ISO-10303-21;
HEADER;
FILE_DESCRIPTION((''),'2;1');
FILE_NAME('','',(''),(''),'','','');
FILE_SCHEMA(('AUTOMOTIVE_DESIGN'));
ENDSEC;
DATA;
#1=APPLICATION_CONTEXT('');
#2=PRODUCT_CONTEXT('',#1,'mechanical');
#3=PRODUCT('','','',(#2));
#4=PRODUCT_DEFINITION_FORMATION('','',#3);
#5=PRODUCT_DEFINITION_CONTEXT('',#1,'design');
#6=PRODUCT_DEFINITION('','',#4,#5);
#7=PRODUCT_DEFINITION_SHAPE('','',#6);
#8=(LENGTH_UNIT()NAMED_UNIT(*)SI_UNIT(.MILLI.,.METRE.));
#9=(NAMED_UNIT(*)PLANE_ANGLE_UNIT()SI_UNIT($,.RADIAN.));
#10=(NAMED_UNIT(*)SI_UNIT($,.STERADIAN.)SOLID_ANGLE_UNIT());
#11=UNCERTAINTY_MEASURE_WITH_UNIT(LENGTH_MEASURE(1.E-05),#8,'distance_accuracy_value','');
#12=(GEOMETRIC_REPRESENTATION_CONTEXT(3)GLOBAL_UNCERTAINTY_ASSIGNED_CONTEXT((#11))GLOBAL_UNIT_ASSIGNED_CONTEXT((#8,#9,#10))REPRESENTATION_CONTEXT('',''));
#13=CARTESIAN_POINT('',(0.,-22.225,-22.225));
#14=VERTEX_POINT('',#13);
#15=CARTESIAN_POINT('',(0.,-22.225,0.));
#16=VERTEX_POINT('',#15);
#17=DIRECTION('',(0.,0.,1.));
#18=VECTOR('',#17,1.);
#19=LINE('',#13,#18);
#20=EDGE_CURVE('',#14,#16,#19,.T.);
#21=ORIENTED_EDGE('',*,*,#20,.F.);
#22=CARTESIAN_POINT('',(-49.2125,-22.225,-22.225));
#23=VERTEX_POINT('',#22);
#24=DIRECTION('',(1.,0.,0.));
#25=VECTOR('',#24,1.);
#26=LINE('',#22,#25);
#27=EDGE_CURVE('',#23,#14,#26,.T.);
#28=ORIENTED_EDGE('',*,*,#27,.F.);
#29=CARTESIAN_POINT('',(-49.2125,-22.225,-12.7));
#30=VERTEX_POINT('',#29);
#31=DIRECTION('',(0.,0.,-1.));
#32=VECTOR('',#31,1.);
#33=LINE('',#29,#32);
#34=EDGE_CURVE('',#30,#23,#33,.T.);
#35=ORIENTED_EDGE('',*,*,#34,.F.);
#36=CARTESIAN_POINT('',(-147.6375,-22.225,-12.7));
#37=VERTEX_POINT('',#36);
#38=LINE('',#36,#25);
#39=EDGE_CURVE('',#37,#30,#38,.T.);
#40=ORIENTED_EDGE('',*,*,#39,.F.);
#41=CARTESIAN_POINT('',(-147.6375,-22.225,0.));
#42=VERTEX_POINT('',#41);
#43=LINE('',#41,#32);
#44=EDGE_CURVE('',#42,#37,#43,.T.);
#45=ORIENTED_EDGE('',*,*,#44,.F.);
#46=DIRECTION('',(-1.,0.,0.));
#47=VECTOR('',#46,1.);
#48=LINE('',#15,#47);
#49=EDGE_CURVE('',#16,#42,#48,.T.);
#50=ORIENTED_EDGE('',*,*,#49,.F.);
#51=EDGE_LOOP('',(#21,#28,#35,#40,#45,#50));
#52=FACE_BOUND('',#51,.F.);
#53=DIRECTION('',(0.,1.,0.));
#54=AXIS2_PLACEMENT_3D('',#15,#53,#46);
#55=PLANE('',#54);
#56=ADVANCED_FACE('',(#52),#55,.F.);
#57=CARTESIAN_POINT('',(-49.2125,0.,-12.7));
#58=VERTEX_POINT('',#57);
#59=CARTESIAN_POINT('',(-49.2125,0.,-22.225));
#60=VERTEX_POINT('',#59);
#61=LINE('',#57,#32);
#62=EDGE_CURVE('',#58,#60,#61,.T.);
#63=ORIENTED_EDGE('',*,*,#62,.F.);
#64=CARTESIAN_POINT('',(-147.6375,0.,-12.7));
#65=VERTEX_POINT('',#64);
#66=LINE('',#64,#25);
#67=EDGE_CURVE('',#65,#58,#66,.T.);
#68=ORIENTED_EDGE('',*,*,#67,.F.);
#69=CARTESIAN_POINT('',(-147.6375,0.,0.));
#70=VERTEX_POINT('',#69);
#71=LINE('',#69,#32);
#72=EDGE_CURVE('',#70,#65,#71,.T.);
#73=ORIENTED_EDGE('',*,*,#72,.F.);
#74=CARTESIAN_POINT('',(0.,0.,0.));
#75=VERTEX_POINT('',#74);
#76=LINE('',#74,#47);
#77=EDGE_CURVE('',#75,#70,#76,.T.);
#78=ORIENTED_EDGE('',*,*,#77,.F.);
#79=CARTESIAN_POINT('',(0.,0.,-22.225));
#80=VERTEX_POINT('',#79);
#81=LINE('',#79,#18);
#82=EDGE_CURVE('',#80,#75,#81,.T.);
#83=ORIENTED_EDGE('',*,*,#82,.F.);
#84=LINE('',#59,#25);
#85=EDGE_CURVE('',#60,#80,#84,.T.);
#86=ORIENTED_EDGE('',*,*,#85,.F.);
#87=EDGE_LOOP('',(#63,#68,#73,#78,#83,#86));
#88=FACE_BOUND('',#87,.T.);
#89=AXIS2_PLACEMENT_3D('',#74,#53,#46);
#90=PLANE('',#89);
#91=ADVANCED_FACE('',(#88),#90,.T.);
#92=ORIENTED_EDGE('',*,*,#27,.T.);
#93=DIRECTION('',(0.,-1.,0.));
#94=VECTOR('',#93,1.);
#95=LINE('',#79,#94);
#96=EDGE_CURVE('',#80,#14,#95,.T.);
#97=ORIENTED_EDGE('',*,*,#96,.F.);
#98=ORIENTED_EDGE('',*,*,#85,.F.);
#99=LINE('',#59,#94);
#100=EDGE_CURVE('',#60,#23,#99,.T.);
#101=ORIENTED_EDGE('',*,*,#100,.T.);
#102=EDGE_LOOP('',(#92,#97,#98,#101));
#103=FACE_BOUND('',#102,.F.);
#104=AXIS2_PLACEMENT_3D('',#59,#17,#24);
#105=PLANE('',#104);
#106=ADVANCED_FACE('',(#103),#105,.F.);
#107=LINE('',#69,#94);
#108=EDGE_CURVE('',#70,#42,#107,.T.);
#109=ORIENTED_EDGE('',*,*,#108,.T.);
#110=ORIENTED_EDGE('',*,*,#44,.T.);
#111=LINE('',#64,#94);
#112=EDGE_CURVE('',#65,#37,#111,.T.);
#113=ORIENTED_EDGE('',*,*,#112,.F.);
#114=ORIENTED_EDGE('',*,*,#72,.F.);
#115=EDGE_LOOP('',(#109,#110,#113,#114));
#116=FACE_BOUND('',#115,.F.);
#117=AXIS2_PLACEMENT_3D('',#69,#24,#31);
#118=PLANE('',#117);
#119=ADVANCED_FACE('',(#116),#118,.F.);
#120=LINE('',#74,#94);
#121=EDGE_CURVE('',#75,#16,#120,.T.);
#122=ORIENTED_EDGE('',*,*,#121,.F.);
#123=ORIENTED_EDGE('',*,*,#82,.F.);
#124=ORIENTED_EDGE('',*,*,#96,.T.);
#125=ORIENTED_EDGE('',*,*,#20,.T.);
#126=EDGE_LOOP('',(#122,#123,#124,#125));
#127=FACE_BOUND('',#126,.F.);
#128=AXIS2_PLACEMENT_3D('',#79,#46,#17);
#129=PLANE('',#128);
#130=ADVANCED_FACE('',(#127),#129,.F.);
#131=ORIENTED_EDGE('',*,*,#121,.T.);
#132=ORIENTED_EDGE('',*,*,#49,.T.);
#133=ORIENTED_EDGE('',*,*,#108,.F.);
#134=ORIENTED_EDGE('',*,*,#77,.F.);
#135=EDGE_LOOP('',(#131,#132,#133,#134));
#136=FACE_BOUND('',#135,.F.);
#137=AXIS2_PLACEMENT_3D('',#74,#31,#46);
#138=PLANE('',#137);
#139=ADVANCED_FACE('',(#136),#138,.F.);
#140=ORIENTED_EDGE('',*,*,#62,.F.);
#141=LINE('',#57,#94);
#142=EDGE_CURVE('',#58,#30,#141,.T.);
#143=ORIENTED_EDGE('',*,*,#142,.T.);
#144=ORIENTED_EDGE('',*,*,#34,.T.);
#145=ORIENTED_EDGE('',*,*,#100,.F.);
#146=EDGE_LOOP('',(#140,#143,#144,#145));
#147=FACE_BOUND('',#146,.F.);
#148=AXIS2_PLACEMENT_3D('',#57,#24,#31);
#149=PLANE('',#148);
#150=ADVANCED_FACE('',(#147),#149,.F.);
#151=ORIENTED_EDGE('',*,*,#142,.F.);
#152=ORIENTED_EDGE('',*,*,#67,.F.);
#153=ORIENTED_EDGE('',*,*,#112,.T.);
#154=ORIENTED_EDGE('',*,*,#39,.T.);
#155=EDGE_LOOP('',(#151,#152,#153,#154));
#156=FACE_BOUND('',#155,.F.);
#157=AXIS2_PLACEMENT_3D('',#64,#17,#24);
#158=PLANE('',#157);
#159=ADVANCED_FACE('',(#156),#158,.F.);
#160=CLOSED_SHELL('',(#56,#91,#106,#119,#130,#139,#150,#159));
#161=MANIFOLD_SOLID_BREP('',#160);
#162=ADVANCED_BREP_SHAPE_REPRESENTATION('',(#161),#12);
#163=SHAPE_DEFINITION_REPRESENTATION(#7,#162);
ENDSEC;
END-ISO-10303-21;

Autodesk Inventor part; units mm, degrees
ref_plane "YZ Plane" through (0, 0, 0) normal (1, 0, 0) x (0, 1, 0)
ref_plane "XZ Plane" through (0, 0, 0) normal (0, 1, 0) x (-1, 0, 0)
ref_plane "XY Plane" through (0, 0, 0) normal (0, 0, 1) x (1, 0, 0)
sketch "Sketch1" plane through (0, 0, 0) normal (0, 1, 0) x (-1, 0, 0)
  line L0 (0, 0) -> (147.6375, 0)
  line L1 (147.6375, 0) -> (147.6375, -12.7)
  line L2 (147.6375, -12.7) -> (49.2125, -12.7)
  line L3 (49.2125, -12.7) -> (49.2125, -22.225)
  line L4 (49.2125, -22.225) -> (0, -22.225)
  line L5 (0, -22.225) -> (0, 0)
  dimension "d3" = 12.7
  dimension "d4" = 147.6375
  dimension "d5" = 22.225
  dimension "d6" = 98.425
extrude "Extrusion1" add sketch "Sketch1" against normal blind 22.225
properties part number "Key--C"
